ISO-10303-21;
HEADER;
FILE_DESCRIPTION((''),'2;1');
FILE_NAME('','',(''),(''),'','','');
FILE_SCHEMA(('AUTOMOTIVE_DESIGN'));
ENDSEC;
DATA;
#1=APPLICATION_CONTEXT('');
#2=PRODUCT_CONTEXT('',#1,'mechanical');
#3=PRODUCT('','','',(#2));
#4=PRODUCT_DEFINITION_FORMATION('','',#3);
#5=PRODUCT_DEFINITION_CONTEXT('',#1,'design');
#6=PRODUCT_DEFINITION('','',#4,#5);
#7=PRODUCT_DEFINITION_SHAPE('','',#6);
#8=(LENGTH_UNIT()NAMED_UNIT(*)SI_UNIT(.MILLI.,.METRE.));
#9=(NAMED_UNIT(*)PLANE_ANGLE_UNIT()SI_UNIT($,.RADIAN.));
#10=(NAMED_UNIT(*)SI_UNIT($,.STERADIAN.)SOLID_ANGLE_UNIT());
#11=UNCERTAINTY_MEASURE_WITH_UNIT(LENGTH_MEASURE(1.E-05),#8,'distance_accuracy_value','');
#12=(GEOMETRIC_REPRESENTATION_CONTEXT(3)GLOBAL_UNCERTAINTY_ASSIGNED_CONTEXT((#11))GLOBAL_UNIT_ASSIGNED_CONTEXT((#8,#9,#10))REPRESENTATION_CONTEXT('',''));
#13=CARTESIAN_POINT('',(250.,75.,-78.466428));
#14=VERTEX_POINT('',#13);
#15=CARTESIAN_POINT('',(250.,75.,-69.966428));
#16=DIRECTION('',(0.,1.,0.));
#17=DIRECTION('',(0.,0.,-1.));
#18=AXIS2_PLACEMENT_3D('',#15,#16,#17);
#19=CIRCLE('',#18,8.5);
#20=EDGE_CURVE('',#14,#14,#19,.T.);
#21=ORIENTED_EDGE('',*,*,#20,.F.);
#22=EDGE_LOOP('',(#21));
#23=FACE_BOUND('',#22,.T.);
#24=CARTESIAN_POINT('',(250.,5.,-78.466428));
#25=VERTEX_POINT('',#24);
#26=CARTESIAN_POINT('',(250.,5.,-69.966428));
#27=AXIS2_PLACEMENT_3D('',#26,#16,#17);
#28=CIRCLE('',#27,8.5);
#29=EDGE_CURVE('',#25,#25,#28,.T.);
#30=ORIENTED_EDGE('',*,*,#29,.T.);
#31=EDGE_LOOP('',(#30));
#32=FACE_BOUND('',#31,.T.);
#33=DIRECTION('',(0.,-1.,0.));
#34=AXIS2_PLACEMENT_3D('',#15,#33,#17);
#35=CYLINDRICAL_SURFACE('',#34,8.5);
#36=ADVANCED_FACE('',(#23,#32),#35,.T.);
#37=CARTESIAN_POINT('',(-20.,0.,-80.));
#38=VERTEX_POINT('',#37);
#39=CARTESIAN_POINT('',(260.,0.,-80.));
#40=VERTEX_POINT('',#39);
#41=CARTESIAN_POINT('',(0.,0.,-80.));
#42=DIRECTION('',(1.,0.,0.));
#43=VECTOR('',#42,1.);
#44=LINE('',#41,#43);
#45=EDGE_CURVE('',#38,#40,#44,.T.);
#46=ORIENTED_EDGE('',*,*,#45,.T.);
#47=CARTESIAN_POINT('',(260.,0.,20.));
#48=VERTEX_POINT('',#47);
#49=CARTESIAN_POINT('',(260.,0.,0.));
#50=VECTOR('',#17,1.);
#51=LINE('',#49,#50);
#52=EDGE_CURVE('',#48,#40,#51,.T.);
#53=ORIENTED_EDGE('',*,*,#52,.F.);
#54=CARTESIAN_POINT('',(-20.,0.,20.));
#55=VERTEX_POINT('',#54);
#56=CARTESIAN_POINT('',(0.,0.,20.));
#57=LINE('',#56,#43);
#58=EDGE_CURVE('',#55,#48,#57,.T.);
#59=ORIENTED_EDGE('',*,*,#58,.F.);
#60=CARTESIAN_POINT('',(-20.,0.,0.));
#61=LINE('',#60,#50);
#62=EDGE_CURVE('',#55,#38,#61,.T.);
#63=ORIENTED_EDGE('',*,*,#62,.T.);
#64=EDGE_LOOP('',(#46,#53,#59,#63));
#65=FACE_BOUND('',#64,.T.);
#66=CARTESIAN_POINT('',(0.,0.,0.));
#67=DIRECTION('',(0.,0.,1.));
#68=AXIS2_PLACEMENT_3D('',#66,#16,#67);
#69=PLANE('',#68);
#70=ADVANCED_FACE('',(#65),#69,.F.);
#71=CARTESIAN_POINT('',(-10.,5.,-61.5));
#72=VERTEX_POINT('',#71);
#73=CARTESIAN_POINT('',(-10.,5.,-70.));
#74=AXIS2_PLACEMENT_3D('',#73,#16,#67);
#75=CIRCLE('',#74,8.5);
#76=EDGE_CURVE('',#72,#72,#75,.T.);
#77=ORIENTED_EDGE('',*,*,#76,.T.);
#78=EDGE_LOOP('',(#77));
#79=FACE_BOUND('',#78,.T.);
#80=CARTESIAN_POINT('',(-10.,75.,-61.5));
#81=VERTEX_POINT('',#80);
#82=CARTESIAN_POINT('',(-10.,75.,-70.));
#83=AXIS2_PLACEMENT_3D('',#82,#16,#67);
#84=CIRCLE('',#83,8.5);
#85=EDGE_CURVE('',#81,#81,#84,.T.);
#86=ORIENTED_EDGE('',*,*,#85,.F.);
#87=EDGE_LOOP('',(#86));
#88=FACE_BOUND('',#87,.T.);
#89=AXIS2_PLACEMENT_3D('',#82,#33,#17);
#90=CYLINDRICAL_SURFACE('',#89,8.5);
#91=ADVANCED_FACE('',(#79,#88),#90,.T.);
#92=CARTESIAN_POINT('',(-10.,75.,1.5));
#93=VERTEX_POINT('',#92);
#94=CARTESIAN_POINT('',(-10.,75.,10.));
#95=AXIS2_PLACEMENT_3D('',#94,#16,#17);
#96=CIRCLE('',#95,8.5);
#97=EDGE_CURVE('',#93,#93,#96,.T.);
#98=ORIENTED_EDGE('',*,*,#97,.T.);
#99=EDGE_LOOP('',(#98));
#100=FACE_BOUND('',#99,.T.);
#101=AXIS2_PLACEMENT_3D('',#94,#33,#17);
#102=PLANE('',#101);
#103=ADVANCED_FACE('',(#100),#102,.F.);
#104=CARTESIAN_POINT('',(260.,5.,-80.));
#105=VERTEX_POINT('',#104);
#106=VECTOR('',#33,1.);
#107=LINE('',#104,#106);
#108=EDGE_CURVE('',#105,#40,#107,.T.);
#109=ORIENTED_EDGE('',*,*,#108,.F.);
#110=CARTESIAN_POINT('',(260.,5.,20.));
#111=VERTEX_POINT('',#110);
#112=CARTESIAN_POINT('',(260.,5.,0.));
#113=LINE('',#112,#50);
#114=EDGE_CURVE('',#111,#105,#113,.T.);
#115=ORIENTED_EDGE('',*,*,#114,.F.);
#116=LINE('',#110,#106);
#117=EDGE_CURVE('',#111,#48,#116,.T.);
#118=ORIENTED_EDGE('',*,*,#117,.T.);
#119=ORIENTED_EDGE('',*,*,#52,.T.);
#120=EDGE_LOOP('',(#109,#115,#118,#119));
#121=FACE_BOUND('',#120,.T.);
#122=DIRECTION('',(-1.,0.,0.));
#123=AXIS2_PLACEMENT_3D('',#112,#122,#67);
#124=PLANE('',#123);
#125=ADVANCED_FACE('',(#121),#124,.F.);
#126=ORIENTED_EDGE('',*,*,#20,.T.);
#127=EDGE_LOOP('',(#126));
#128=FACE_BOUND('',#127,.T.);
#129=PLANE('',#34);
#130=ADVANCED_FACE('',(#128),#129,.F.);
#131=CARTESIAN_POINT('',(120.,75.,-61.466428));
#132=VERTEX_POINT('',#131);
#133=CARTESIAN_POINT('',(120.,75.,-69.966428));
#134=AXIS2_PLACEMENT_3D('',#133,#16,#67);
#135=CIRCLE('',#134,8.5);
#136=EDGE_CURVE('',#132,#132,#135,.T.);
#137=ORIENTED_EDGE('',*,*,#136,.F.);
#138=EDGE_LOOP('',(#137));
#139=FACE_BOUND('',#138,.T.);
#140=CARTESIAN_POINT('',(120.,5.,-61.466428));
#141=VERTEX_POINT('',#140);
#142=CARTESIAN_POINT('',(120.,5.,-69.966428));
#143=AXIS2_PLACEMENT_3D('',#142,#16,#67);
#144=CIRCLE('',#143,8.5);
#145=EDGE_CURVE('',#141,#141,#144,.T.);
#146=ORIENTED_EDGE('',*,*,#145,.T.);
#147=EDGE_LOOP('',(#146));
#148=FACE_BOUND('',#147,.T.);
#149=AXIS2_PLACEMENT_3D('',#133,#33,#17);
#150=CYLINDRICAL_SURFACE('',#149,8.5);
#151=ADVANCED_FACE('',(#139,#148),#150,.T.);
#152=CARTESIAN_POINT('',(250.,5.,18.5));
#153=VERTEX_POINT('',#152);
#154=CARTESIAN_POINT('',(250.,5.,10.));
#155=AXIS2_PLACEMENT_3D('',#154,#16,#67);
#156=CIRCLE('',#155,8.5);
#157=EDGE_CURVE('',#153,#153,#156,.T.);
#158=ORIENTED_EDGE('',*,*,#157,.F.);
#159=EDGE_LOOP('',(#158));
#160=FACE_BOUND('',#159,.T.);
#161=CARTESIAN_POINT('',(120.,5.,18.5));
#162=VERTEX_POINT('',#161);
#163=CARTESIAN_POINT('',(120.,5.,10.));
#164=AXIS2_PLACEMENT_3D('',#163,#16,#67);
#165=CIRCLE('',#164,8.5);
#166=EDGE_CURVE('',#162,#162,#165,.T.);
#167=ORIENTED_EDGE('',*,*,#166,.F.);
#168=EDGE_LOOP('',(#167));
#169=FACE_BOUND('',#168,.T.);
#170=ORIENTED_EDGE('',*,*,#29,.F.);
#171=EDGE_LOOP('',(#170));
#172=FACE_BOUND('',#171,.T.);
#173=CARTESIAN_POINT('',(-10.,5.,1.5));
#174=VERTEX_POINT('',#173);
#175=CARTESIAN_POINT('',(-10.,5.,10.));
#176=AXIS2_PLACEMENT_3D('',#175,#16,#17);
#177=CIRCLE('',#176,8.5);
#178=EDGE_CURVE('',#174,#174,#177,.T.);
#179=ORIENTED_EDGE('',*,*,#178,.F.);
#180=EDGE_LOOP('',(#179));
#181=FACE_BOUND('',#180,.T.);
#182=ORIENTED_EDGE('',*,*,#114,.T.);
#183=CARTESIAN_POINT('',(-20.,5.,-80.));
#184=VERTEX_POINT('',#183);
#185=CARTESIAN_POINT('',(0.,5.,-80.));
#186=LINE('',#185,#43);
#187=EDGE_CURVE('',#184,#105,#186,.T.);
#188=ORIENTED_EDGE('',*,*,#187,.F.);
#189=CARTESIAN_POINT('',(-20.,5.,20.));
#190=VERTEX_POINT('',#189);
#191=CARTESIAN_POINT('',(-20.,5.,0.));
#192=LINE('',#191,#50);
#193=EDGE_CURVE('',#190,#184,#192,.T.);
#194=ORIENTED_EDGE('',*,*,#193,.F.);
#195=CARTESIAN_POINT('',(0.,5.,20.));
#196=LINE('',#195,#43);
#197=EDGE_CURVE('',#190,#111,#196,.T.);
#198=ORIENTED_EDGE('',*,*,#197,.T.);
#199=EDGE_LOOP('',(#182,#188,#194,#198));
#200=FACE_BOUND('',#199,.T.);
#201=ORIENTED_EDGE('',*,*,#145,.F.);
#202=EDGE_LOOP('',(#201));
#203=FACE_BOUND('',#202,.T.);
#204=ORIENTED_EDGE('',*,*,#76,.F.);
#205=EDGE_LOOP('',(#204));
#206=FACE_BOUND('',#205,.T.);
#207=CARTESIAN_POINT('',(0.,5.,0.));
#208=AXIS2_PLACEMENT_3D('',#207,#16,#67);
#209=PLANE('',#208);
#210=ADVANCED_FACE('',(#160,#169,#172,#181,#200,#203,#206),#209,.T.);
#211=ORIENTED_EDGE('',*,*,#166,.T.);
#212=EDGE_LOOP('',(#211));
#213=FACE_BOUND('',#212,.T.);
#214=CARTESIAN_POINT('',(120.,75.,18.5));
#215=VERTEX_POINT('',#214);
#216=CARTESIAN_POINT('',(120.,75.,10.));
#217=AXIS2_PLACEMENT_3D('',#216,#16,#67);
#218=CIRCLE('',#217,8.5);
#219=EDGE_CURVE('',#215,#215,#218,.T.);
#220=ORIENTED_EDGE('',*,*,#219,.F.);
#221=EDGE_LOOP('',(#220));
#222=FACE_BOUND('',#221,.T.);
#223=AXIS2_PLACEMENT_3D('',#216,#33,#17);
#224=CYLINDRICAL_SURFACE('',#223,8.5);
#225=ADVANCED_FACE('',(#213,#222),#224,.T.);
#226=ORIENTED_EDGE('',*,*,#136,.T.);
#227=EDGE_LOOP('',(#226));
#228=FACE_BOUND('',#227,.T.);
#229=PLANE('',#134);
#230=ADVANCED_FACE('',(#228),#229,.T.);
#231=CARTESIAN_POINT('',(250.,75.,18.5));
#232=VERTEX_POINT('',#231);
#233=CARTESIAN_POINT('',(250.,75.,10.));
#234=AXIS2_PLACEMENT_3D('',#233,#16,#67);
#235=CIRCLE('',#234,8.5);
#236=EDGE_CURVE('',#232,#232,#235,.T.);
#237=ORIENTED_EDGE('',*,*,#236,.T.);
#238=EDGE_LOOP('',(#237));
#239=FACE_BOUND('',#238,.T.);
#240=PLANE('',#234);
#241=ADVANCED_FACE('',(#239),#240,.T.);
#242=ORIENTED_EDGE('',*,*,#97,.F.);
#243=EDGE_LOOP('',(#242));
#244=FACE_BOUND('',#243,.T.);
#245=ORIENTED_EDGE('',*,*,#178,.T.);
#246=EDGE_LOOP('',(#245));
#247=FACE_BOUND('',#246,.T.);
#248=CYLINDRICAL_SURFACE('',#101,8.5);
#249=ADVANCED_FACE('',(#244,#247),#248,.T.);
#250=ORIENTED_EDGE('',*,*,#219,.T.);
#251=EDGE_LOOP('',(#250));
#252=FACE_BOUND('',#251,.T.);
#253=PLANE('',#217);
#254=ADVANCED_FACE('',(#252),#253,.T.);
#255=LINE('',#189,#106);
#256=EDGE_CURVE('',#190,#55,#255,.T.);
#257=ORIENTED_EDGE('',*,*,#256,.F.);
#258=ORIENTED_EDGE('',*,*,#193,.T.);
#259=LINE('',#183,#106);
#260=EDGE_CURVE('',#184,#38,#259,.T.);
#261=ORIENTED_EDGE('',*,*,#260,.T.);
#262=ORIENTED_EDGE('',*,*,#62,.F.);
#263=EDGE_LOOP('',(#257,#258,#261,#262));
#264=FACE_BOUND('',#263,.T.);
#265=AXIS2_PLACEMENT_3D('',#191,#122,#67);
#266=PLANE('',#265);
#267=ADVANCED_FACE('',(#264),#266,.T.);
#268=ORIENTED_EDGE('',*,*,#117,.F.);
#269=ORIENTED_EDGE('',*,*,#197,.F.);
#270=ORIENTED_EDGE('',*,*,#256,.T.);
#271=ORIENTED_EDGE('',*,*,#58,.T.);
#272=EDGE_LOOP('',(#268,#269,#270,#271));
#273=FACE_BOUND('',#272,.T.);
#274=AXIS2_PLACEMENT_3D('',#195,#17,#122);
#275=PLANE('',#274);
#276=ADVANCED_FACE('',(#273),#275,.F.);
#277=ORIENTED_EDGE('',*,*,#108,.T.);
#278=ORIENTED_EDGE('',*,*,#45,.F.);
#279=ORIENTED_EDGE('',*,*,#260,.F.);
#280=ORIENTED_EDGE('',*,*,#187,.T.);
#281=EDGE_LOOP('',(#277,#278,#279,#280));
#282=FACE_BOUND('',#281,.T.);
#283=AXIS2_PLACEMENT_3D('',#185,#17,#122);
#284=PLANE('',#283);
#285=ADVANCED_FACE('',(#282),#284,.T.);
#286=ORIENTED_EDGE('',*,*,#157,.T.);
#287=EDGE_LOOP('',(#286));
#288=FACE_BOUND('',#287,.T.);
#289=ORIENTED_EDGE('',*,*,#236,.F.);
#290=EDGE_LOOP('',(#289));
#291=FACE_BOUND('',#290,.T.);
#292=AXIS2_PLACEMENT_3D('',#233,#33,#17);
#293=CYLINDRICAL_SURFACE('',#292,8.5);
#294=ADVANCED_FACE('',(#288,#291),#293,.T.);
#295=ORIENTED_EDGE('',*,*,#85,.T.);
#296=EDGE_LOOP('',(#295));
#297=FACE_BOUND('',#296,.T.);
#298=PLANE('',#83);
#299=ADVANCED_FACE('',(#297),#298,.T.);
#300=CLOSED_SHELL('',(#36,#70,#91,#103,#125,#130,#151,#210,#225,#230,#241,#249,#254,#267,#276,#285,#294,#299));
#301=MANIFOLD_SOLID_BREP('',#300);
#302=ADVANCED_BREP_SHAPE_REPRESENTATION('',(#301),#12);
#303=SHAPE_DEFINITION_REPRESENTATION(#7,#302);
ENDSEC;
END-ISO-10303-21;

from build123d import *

# Parameters (mm, degrees)
IZIM1_W                     = 280
IZIM1_H                     = 100
Y_KSEKLIK_EKSTR_ZYON6_DEPTH = 5
IZIM16_R                    = 8.5
Y_KSEKLIK_EKSTR_ZYON7_DEPTH = 70


with BuildPart() as part:
    # Çizim1 → Yükseklik-Ekstrüzyon6 (new body)
    with BuildSketch(Plane(origin=(0, 0, 0), x_dir=(1, 0, 0), z_dir=(0, 1, 0))):
        with Locations((120, 30)):
            Rectangle(IZIM1_W, IZIM1_H)
    extrude(amount=Y_KSEKLIK_EKSTR_ZYON6_DEPTH)

    # Çizim16 → Yükseklik-Ekstrüzyon7 (add)
    with BuildSketch(Plane(origin=(0, 5, 0), x_dir=(1, 0, 0), z_dir=(0, 1, 0))):
        with Locations(Location((-10, 70, 0), (0, 0, 270))):
            Circle(IZIM16_R)
        with Locations(Location((-10, -10, 0), (0, 0, 90))):
            Circle(IZIM16_R)
        with Locations(Location((250, 69.966428456, 0), (0, 0, 90))):
            Circle(IZIM16_R)
        with Locations(Location((250, -10, 0), (0, 0, 270))):
            Circle(IZIM16_R)
        with Locations(Location((120, 69.966428456, 0), (0, 0, 270))):
            Circle(IZIM16_R)
        with Locations(Location((120, -10, 0), (0, 0, 270))):
            Circle(IZIM16_R)
    extrude(amount=Y_KSEKLIK_EKSTR_ZYON7_DEPTH)


solid = part.part
